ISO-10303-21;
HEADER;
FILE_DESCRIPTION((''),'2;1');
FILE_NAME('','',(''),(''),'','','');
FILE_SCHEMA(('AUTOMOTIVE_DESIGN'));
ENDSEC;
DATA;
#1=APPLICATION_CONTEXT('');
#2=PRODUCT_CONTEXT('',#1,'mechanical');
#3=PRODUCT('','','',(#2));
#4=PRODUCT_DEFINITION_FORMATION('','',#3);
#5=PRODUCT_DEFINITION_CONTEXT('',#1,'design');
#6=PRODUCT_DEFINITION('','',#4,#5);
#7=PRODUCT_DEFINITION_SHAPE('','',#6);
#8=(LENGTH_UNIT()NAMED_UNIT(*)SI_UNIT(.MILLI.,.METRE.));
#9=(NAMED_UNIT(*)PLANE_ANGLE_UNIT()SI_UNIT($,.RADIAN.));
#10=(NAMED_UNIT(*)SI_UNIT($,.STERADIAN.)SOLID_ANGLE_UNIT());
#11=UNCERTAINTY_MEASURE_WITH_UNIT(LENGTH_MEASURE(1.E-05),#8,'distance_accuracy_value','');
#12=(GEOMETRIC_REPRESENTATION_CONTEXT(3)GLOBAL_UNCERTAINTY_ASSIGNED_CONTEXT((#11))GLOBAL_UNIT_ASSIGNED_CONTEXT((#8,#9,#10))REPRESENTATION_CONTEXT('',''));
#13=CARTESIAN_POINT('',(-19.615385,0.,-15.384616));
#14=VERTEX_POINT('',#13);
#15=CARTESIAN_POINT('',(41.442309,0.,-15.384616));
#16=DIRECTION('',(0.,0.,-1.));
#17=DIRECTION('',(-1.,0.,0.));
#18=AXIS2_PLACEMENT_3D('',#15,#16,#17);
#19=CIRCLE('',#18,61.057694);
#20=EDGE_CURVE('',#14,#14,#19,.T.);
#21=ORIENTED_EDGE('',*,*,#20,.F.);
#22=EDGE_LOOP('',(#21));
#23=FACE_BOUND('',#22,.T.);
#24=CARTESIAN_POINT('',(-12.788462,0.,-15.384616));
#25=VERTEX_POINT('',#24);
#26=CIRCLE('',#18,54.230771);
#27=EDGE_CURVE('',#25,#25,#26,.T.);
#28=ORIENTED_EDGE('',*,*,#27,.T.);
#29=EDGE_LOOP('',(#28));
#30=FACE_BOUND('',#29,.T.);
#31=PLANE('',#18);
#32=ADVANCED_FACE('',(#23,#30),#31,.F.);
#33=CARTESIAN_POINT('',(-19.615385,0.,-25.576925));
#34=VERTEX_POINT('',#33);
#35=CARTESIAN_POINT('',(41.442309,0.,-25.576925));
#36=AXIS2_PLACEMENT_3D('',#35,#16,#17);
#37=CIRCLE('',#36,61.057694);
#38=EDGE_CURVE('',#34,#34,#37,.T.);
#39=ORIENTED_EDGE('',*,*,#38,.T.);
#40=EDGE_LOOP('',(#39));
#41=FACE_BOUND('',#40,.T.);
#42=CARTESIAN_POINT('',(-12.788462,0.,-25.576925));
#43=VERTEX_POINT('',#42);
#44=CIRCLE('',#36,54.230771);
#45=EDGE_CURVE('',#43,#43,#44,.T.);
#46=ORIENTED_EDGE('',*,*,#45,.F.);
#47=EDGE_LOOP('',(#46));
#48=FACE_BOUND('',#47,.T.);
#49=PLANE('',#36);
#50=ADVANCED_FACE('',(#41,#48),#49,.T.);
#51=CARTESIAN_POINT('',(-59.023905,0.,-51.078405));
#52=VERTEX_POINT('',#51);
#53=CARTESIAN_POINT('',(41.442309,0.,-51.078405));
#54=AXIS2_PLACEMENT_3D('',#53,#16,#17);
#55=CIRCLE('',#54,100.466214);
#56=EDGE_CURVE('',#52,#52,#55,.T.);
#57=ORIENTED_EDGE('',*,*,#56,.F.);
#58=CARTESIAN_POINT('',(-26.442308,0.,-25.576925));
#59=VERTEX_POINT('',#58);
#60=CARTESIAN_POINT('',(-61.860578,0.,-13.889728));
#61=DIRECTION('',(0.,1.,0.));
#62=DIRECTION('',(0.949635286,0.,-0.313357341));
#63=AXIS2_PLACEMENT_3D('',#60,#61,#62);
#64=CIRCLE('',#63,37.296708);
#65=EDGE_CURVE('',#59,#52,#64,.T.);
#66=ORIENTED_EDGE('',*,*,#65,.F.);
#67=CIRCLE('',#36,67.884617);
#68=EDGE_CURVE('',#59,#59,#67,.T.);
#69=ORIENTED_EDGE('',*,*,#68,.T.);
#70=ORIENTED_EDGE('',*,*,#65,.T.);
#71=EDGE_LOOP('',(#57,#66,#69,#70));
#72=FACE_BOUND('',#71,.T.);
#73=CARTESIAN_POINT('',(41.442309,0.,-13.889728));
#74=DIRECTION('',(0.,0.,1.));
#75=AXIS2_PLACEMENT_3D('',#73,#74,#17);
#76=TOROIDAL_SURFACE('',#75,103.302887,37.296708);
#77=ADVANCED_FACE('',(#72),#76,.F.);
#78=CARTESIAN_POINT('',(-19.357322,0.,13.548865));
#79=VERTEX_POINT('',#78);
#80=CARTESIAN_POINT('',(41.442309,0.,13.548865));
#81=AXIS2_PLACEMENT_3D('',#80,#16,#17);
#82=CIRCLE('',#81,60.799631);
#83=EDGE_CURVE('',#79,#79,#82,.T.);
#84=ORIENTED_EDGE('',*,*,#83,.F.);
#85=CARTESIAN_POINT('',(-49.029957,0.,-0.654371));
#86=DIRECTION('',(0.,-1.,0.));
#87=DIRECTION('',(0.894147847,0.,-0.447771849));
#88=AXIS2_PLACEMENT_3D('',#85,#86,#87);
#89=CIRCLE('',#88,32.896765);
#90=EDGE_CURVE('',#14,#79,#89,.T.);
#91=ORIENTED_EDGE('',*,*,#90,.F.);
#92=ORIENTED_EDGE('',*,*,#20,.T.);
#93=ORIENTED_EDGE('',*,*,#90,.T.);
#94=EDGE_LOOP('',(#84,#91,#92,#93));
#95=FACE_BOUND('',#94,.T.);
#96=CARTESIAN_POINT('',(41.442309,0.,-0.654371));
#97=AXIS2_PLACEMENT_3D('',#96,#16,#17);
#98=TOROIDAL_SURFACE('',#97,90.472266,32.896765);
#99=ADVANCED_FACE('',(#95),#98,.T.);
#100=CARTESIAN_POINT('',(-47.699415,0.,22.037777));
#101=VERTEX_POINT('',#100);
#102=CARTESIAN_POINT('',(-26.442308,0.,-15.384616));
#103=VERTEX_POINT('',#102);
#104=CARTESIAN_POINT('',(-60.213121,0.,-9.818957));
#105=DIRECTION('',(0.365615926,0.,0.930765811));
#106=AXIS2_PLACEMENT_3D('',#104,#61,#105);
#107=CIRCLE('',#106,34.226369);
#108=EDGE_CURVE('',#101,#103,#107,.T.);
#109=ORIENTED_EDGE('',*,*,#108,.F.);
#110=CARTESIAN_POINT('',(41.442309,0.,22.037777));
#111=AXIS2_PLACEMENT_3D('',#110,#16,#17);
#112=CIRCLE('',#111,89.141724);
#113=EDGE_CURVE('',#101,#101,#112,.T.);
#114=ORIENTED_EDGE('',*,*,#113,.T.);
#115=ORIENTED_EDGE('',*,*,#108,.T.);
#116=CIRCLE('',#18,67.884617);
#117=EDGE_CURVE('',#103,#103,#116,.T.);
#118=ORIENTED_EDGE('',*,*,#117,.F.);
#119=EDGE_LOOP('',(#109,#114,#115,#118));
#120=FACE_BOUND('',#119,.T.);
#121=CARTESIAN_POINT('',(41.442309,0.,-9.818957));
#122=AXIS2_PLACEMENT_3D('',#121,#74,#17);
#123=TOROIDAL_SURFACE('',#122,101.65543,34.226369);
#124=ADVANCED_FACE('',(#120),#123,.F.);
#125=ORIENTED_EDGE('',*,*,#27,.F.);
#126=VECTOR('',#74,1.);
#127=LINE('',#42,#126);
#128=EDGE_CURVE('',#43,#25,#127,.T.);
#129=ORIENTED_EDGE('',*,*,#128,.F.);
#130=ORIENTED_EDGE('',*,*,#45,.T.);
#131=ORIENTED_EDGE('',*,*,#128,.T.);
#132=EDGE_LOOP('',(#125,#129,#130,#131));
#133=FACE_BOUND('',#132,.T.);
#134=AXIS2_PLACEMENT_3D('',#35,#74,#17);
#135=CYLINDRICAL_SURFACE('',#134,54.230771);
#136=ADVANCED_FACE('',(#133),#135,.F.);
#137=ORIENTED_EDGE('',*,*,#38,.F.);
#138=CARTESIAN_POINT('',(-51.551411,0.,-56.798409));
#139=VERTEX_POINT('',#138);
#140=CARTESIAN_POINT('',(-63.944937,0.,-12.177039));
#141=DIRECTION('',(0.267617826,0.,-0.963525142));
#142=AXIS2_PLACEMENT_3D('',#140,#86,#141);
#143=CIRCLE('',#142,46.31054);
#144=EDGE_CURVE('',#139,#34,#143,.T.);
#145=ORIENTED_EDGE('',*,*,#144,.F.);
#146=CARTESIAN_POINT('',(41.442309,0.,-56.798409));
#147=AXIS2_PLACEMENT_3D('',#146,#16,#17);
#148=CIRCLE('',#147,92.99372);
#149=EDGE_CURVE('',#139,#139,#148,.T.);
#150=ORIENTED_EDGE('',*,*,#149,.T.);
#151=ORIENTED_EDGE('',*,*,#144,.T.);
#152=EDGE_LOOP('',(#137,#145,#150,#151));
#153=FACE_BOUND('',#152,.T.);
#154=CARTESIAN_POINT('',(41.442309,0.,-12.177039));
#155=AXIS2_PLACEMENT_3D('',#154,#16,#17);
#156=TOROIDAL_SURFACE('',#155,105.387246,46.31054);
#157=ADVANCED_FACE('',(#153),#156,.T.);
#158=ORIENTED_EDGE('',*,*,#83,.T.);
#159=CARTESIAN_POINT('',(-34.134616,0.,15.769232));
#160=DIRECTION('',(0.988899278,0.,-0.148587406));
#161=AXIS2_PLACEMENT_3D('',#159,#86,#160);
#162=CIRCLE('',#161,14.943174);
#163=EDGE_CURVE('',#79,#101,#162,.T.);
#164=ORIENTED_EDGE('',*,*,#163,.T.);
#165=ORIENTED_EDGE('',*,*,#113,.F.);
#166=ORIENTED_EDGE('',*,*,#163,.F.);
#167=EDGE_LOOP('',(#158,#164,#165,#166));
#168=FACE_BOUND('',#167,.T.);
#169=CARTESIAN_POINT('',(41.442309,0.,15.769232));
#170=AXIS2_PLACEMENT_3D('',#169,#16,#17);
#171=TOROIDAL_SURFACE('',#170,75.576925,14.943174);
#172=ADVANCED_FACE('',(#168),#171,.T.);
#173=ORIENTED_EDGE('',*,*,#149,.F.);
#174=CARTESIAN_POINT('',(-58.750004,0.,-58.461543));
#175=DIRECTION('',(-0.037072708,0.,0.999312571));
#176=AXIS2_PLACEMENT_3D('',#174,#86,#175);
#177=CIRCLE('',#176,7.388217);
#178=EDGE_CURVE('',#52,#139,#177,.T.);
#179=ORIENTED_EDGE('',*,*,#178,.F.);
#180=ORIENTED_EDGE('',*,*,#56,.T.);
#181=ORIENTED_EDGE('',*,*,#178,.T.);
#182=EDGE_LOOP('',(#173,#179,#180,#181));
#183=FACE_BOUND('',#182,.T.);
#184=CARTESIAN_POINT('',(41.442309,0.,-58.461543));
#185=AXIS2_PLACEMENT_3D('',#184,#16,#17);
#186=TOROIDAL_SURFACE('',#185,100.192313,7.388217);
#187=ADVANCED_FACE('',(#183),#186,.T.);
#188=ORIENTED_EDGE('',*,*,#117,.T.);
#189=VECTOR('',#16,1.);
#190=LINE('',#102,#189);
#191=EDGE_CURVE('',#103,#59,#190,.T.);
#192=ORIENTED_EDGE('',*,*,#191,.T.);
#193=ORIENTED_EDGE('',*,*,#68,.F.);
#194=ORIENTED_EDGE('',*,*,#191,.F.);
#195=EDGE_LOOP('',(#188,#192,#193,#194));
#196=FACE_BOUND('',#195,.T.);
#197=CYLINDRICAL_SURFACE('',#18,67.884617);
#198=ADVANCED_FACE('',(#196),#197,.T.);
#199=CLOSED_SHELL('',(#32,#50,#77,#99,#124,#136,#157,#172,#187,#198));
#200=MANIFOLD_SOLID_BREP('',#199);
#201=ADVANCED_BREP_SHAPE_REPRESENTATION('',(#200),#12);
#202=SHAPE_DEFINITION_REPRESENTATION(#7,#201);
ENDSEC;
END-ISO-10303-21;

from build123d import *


with BuildPart() as f1:
    # F0 (on Front) → F1 (revolve)
    with BuildSketch(Plane.XZ):
        with BuildLine():
            ThreePointArc((-19.615385, -15.384616), (-16.1345, -0.947771), (-19.357322, 13.548865))
            ThreePointArc((-19.357322, 13.548865), (-29.847082, 30.084102), (-47.699415, 22.037777))
            ThreePointArc((-47.699415, 22.037777), (-30.452861, 7.085814), (-26.442308, -15.384616))
            Line((-26.442308, -15.384616), (-26.442308, -25.576925))
            ThreePointArc((-26.442308, -25.576925), (-38.872722, -43.25983), (-59.023905, -51.078405))
            ThreePointArc((-59.023905, -51.078405), (-63.240822, -64.328255), (-51.551411, -56.798409))
            ThreePointArc((-51.551411, -56.798409), (-31.570994, -45.291899), (-19.615385, -25.576925))
            Line((-19.615385, -25.576925), (-12.788462, -25.576925))
            Line((-12.788462, -25.576925), (-12.788462, -15.384616))
            Line((-12.788462, -15.384616), (-19.615385, -15.384616))
        make_face()
    revolve(axis=Axis((41.442309, 0, -10.288462), (0, 0, -1)))


solid = f1.part
